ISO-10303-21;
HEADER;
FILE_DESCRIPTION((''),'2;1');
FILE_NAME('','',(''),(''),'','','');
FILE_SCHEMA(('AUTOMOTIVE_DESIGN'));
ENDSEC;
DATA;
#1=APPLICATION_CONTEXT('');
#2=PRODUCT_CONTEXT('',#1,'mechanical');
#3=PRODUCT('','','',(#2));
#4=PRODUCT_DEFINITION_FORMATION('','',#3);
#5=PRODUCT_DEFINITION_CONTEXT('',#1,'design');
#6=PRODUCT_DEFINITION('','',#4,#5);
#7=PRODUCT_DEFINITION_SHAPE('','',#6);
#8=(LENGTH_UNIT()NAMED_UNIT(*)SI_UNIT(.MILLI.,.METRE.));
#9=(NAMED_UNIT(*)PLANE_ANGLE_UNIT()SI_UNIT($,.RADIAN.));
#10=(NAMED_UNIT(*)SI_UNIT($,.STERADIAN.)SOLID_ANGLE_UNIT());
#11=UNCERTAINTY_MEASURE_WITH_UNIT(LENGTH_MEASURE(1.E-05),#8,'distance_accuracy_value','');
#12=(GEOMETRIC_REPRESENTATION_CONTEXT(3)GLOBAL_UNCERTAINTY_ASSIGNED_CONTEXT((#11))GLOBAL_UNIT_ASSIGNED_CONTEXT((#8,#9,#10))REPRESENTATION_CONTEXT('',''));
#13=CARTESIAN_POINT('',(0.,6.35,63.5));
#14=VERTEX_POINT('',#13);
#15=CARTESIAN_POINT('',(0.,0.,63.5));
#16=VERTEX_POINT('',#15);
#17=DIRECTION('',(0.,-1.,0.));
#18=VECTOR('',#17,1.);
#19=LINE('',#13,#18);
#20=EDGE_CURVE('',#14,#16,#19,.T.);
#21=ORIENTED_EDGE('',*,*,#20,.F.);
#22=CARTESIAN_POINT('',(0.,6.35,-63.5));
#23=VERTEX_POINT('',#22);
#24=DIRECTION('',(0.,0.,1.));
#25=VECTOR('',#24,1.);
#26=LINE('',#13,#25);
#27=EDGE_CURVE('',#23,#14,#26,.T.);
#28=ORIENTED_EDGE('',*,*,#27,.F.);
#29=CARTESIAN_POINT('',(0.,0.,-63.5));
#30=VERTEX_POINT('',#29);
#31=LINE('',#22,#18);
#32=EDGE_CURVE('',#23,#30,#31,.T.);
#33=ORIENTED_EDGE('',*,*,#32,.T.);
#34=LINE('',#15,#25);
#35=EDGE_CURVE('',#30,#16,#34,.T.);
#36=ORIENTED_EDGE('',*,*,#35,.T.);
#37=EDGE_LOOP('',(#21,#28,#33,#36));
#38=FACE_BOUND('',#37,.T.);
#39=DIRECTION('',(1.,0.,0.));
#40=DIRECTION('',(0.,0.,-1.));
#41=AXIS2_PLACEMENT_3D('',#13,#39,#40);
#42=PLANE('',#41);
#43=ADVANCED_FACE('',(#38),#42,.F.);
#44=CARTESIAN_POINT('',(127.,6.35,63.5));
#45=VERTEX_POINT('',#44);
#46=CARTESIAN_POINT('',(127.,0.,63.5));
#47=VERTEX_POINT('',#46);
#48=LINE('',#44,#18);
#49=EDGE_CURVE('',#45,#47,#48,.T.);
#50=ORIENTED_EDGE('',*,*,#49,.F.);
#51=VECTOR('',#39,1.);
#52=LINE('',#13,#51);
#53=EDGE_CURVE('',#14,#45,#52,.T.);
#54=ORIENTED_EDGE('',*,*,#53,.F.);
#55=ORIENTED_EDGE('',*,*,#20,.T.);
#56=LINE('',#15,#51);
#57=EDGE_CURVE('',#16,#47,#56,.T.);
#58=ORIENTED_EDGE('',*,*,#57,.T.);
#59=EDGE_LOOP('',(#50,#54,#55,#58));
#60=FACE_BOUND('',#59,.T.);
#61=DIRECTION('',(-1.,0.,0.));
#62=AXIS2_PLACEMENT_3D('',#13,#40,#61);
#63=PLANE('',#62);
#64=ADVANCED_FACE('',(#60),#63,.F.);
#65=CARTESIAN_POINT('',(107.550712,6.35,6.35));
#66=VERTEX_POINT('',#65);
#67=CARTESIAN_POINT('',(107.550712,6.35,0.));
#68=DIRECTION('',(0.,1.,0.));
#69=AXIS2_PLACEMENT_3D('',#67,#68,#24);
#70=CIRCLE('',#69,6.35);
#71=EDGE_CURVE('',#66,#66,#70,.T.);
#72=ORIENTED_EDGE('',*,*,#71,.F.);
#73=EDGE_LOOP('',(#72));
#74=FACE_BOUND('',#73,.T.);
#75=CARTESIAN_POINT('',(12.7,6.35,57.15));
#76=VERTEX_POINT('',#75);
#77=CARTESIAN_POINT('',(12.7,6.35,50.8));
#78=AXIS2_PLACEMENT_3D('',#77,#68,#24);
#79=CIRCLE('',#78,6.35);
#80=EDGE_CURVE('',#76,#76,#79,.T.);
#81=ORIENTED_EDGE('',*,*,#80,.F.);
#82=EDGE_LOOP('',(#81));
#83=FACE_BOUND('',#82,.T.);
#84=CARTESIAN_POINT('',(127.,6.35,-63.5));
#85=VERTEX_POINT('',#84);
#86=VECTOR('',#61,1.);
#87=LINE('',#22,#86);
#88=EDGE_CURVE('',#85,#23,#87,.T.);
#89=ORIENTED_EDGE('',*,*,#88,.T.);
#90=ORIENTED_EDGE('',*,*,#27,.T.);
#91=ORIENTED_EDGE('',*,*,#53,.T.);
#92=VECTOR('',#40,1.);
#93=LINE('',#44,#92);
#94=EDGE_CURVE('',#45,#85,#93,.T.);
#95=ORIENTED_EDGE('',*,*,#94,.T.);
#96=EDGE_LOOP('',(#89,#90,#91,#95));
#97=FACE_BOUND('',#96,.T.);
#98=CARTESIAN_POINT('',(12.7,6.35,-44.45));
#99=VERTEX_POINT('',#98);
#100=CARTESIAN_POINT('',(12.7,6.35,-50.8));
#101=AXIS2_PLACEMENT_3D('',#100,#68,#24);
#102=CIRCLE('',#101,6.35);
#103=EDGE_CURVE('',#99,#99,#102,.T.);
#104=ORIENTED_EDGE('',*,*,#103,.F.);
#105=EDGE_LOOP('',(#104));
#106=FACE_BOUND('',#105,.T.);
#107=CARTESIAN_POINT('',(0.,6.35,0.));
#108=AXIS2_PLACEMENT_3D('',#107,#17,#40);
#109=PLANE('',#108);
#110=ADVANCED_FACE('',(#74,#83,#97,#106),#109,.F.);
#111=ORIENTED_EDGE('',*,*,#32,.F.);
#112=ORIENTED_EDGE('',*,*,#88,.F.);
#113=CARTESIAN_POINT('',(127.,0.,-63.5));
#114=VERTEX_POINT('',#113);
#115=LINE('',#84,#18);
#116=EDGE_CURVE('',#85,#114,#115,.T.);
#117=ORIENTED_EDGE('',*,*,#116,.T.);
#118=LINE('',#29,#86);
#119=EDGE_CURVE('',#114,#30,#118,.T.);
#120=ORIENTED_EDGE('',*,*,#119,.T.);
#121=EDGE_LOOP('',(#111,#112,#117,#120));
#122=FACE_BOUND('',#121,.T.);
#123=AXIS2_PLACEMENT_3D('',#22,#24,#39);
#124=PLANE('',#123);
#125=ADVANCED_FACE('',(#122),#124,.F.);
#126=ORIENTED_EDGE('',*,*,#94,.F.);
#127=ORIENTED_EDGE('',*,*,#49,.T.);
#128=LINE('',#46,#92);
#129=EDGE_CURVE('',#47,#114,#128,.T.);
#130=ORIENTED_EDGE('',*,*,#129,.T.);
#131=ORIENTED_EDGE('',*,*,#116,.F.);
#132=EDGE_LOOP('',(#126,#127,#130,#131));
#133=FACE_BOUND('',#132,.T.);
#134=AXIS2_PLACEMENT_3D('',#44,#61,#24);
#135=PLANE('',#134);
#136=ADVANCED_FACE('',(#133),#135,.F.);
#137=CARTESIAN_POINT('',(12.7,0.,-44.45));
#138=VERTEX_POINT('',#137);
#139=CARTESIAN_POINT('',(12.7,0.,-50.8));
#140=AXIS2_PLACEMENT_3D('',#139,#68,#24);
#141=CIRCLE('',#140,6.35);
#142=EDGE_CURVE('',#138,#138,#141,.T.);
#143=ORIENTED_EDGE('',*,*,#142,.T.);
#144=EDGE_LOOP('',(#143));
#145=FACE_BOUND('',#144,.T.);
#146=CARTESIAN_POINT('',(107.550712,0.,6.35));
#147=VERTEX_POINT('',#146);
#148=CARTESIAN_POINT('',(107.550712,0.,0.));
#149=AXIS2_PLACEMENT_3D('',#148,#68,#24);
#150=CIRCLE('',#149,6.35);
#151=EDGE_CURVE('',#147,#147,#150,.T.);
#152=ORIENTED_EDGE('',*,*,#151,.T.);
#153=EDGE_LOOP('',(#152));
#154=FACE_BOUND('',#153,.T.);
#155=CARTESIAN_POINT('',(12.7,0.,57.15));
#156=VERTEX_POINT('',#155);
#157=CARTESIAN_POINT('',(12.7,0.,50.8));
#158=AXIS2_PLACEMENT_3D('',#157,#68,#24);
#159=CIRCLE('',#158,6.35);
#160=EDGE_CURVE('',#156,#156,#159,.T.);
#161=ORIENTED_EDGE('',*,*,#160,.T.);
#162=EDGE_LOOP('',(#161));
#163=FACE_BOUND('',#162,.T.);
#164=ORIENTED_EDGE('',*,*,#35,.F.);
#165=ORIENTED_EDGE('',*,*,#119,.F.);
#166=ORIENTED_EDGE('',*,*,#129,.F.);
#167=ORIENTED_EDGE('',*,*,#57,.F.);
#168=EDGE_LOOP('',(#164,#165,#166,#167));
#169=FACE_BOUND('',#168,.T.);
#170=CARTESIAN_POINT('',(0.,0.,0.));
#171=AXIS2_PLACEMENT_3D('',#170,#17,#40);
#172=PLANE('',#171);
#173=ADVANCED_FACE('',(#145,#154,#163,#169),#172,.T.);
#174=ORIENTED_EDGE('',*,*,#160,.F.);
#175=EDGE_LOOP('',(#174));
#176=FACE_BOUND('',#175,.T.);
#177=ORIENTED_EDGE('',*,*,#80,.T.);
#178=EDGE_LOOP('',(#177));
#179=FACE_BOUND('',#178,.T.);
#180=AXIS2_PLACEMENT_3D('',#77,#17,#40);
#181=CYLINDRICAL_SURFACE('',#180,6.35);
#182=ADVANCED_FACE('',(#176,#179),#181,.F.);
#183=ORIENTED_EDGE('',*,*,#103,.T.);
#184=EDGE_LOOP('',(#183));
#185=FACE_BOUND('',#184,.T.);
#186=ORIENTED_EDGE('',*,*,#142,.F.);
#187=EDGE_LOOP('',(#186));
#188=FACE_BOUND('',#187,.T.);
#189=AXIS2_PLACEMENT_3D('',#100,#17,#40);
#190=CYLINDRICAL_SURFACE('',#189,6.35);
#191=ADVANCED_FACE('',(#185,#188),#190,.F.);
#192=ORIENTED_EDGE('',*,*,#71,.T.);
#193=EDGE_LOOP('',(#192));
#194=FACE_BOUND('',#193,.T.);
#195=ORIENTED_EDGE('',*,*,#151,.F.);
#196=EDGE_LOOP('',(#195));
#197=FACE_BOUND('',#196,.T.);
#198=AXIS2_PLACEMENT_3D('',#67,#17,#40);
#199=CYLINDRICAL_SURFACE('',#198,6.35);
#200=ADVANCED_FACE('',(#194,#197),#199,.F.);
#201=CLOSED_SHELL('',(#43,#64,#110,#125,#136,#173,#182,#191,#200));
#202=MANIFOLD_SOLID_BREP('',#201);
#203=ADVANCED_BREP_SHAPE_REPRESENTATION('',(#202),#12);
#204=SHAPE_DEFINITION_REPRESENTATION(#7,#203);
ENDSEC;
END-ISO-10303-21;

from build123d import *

# Parameters (mm, degrees)
SKETCH1_W           = 127
SKETCH1_H           = 127
SKETCH1_R           = 6.35
BOSS_EXTRUDE1_DEPTH = 6.35


with BuildPart() as part:
    # Sketch1 → Boss-Extrude1 (new body)
    with BuildSketch(Plane(origin=(0, 0, 0), x_dir=(1, 0, 0), z_dir=(0, 1, 0))):
        with Locations((63.5, 0)):
            Rectangle(SKETCH1_W, SKETCH1_H)
        with Locations(Location((12.7, 50.8, 0), (0, 0, 270))):
            Circle(SKETCH1_R, mode=Mode.SUBTRACT)
        with Locations(Location((12.7, -50.8, 0), (0, 0, 270))):
            Circle(SKETCH1_R, mode=Mode.SUBTRACT)
        with Locations(Location((107.550712, 0, 0), (0, 0, 270))):
            Circle(SKETCH1_R, mode=Mode.SUBTRACT)
    extrude(amount=BOSS_EXTRUDE1_DEPTH)


solid = part.part
